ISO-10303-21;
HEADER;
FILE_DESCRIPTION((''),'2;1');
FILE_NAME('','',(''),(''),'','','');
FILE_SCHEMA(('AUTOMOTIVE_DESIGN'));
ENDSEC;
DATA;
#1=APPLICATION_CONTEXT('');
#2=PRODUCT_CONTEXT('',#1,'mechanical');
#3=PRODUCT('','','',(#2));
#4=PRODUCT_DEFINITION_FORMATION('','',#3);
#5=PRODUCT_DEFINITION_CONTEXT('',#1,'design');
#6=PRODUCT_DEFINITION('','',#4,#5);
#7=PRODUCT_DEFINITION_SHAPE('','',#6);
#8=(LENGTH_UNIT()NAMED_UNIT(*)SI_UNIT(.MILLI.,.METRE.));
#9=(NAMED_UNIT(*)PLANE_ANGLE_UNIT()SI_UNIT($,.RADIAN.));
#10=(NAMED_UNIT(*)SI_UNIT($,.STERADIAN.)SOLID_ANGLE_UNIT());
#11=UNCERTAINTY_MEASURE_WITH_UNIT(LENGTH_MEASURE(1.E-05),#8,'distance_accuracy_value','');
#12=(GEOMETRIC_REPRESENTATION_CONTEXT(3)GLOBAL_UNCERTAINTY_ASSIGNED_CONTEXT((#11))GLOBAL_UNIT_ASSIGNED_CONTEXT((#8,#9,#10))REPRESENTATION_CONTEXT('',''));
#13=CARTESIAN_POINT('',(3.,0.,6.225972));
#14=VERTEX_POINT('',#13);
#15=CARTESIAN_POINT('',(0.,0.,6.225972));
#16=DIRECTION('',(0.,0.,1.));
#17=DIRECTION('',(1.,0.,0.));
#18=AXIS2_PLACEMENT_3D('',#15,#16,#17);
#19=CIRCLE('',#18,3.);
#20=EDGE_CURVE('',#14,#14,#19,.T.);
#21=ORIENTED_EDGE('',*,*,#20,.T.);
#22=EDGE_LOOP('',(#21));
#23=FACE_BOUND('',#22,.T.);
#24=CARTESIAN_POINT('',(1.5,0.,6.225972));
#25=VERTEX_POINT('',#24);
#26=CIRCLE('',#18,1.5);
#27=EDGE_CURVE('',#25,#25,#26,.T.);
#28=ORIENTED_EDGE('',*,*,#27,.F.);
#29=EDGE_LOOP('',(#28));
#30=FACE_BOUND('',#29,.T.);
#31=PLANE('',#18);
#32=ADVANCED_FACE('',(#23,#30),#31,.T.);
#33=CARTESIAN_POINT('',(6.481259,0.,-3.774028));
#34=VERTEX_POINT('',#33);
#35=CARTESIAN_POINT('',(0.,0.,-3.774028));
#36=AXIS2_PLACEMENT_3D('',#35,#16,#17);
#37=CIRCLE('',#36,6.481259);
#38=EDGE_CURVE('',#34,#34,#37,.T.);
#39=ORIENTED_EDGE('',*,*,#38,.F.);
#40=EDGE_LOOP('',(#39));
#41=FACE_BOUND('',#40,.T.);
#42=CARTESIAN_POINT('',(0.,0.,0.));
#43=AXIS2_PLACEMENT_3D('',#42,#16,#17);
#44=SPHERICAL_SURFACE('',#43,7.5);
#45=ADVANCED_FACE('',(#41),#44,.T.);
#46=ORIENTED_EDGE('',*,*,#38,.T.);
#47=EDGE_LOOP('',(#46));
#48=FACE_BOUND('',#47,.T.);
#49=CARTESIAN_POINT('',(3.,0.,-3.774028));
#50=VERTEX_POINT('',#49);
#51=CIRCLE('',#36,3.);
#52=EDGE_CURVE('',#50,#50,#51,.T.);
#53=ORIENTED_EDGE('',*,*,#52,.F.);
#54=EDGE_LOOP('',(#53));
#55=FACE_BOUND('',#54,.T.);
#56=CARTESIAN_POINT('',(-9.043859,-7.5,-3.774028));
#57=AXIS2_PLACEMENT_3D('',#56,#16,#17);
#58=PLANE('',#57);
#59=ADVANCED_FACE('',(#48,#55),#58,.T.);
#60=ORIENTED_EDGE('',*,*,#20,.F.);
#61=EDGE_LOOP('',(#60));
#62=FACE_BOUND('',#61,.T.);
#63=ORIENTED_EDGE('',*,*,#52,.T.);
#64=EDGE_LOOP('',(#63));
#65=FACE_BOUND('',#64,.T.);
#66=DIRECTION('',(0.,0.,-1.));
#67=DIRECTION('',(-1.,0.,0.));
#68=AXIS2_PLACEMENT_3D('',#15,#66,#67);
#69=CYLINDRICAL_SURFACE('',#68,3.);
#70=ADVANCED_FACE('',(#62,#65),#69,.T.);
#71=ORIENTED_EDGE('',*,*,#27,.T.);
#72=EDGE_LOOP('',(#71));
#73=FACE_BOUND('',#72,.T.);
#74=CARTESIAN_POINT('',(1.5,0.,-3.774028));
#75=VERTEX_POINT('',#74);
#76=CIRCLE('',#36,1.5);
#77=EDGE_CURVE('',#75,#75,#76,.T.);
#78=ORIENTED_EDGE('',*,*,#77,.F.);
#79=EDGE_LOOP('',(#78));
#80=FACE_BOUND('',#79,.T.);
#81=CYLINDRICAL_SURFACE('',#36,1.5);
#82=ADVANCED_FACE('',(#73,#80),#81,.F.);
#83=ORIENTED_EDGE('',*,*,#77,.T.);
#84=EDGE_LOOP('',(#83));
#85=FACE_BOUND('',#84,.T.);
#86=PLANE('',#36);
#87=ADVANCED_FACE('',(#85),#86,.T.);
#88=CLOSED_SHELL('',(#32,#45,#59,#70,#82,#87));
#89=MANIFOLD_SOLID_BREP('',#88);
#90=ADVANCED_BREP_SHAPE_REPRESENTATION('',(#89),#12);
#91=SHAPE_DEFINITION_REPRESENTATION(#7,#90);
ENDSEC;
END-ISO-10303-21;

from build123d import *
from build123d.topology import SkipClean

# Parameters (mm, degrees)
CUT_EXTRUDE1_DEPTH      = 13.990381057
CUT_EXTRUDE1_DEPTH_BACK = 13.990381057
SKETCH2_W               = 18.087717894
SKETCH2_H               = 11.368107684
SKETCH3_R               = 3
BOSS_EXTRUDE1_DEPTH     = 10
SKETCH4_R               = 1.5
CUT_EXTRUDE2_DEPTH      = 10


with BuildPart() as part:
    # Sketch1 → Revolve1 (revolve)
    with BuildSketch(Plane(origin=(0, 0, 0), x_dir=(1, 0, 0), z_dir=(0, 1, 0))):
        with BuildLine():
            Line((-7.5, 0), (7.5, 0))
            ThreePointArc((7.5, 0), (0, 7.5), (-7.5, 0))
        make_face()
    revolve(axis=Axis((-65.403977461, 0, 0), (1, 0, 0)))

    # Sketch2 → Cut-Extrude1 (cut, two sides: drawn at the far end of the back side and taken through both)
    with SkipClean():  # the faces are left unmerged after this step: merging them gives an invalid solid
        with BuildSketch(Plane(origin=(0, 0, 0), x_dir=(1, 0, 0), z_dir=(0, 1, 0)).offset(-CUT_EXTRUDE1_DEPTH_BACK)):
            with Locations((0, -1.91002619)):
                Rectangle(SKETCH2_W, SKETCH2_H)
        extrude(amount=CUT_EXTRUDE1_DEPTH + CUT_EXTRUDE1_DEPTH_BACK, mode=Mode.SUBTRACT)

    # Sketch3 → Boss-Extrude1 (add)
    with SkipClean():  # the faces are left unmerged after this step: merging them gives an invalid solid
        with BuildSketch(Plane.XY.offset(-3.774027652)):
            Circle(SKETCH3_R)
        extrude(amount=BOSS_EXTRUDE1_DEPTH)

    # Sketch4 → Cut-Extrude2 (cut)
    with SkipClean():  # the faces are left unmerged after this step: merging them gives an invalid solid
        with BuildSketch(Plane.XY.offset(6.225972348)):
            Circle(SKETCH4_R)
        extrude(amount=-CUT_EXTRUDE2_DEPTH, mode=Mode.SUBTRACT)


solid = part.part
